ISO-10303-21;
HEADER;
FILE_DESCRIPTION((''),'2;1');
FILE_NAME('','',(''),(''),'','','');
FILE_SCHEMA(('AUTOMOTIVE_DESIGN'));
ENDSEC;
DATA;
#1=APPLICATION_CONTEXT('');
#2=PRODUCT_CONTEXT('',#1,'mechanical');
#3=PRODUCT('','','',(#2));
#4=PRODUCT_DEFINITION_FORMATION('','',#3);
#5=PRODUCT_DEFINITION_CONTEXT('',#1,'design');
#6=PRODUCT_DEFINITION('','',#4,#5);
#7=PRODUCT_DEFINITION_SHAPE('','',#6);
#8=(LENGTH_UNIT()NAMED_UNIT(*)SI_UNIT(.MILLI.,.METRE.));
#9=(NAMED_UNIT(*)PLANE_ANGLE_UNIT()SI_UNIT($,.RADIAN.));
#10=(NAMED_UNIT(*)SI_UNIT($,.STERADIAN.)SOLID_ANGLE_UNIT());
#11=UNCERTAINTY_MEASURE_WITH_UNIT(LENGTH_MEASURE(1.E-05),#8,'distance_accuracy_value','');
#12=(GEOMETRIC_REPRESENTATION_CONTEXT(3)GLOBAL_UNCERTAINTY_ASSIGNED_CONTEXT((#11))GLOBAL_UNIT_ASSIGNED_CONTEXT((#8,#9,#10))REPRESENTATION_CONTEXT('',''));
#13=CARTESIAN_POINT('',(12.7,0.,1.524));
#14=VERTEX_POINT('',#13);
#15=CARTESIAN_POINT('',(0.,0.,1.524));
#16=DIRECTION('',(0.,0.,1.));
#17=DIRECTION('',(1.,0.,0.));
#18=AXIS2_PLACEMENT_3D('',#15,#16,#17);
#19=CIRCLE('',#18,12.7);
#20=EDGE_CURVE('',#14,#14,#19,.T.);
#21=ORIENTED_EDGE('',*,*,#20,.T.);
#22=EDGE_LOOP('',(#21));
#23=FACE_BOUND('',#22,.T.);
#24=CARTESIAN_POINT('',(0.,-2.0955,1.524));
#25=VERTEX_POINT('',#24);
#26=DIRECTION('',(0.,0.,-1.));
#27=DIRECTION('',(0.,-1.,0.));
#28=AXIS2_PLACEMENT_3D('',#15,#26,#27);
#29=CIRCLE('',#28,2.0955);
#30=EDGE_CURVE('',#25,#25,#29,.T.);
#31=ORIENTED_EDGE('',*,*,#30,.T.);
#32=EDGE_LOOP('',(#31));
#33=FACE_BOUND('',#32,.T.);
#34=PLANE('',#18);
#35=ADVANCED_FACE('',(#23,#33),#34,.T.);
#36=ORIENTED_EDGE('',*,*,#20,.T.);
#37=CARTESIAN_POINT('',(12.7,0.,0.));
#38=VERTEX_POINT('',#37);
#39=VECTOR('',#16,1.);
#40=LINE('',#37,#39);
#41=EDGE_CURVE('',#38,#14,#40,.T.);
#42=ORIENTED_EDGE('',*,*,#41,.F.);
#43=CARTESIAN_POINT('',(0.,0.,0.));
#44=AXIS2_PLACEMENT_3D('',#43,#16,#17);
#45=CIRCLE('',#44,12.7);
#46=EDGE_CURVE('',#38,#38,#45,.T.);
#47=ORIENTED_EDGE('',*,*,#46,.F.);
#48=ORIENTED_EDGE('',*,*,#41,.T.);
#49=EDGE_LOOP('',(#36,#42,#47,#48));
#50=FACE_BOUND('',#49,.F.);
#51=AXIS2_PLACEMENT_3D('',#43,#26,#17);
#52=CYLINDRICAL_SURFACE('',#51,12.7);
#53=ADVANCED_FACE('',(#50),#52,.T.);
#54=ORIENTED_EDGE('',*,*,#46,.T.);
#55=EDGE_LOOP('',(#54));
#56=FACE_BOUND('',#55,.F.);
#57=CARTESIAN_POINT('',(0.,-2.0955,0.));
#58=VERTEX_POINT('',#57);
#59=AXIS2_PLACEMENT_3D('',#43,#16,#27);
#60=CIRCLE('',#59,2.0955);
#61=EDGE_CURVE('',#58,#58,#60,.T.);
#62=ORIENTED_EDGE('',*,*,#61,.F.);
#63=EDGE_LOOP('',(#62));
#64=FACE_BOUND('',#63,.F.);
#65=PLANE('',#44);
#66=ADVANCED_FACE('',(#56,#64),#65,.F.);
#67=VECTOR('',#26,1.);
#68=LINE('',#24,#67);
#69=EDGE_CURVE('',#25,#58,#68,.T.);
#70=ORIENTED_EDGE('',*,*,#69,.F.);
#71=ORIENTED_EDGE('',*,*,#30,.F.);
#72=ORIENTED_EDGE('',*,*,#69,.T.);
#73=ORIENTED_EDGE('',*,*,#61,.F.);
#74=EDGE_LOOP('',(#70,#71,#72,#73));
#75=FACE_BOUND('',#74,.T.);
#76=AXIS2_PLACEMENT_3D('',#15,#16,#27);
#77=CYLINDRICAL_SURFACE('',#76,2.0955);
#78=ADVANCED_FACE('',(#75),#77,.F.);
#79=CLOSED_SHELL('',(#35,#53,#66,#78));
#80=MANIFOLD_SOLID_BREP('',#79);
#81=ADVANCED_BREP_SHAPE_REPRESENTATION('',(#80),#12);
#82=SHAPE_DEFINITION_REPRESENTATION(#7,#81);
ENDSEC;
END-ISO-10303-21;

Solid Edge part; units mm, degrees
sketch "Sketch1" plane through (0, 0, 0) normal (0, 0, 1) x (1, 0, 0)
  circle A0 centre (0, 0) radius 12.7
  dimension "D1" = 25.4
extrude "Protrusion1" add sketch "Sketch1" along normal blind 1.524
hole "Hole_1" at (0, 0, 1.524) direction (0, 0, -1) diameter 4.191 end through all
properties part number "HARDWARE"
